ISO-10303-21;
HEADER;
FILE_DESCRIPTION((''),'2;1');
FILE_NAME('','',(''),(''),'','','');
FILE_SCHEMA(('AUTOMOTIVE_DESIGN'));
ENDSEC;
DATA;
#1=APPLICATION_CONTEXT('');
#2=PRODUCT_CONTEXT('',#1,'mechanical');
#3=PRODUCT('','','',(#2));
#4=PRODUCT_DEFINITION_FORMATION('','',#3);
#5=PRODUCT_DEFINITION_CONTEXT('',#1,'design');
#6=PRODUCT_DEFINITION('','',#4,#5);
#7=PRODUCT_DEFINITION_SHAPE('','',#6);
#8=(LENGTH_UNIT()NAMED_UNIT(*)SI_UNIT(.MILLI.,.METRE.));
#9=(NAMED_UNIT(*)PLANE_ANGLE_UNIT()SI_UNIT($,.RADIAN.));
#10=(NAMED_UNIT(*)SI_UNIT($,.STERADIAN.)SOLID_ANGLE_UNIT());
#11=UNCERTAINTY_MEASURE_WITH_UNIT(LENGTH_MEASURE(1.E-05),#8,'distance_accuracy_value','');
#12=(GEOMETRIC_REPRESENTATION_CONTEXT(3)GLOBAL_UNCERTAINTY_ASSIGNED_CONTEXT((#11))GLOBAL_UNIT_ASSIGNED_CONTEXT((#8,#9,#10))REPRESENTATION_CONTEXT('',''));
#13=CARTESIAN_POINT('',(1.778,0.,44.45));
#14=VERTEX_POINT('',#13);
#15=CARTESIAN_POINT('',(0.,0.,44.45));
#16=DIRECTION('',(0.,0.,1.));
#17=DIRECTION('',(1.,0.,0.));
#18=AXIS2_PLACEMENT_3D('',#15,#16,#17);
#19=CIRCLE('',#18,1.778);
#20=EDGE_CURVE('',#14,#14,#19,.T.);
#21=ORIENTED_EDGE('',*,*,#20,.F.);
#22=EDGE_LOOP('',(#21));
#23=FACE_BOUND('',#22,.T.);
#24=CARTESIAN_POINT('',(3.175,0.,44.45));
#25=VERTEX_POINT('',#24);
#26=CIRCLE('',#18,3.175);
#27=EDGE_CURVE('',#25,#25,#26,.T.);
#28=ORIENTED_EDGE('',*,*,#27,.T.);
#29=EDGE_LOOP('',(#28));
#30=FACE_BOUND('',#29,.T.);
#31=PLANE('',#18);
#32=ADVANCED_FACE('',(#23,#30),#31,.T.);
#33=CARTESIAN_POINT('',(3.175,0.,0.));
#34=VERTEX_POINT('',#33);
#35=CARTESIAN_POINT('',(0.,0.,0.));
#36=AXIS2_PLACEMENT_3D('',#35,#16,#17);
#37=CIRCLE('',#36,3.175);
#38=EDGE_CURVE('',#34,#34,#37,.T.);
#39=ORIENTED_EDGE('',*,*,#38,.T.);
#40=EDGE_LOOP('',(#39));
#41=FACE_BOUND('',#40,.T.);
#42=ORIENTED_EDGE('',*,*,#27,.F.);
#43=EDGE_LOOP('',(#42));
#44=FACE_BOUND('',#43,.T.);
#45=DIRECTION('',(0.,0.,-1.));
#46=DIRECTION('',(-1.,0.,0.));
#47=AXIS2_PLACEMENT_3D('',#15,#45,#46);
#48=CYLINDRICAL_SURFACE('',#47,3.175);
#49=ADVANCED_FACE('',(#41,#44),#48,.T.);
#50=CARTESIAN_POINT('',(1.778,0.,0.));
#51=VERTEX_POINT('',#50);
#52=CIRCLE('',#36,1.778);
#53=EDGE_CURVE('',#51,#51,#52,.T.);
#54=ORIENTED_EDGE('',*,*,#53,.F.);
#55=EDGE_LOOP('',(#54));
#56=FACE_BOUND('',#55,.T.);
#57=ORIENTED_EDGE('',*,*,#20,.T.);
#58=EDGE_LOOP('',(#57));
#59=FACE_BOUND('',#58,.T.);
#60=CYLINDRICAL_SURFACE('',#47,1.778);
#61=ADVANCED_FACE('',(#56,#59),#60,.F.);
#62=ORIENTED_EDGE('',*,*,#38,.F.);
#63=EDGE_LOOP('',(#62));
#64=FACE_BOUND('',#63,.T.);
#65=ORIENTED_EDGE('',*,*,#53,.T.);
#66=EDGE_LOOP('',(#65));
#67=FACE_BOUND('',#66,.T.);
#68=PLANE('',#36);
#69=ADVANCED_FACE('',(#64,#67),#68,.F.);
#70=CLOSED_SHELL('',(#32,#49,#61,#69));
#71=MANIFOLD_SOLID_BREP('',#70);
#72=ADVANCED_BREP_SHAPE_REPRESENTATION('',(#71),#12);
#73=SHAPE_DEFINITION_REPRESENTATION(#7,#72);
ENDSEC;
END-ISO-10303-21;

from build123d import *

# Parameters (mm, degrees)
SKETCH1_R           = 3.175
SKETCH1_R_2         = 1.778
BOSS_EXTRUDE1_DEPTH = 44.45


with BuildPart() as part:
    # Sketch1 → Boss-Extrude1 (new body)
    with BuildSketch(Plane.XY):
        Circle(SKETCH1_R)
        Circle(SKETCH1_R_2, mode=Mode.SUBTRACT)
    extrude(amount=BOSS_EXTRUDE1_DEPTH)


solid = part.part
